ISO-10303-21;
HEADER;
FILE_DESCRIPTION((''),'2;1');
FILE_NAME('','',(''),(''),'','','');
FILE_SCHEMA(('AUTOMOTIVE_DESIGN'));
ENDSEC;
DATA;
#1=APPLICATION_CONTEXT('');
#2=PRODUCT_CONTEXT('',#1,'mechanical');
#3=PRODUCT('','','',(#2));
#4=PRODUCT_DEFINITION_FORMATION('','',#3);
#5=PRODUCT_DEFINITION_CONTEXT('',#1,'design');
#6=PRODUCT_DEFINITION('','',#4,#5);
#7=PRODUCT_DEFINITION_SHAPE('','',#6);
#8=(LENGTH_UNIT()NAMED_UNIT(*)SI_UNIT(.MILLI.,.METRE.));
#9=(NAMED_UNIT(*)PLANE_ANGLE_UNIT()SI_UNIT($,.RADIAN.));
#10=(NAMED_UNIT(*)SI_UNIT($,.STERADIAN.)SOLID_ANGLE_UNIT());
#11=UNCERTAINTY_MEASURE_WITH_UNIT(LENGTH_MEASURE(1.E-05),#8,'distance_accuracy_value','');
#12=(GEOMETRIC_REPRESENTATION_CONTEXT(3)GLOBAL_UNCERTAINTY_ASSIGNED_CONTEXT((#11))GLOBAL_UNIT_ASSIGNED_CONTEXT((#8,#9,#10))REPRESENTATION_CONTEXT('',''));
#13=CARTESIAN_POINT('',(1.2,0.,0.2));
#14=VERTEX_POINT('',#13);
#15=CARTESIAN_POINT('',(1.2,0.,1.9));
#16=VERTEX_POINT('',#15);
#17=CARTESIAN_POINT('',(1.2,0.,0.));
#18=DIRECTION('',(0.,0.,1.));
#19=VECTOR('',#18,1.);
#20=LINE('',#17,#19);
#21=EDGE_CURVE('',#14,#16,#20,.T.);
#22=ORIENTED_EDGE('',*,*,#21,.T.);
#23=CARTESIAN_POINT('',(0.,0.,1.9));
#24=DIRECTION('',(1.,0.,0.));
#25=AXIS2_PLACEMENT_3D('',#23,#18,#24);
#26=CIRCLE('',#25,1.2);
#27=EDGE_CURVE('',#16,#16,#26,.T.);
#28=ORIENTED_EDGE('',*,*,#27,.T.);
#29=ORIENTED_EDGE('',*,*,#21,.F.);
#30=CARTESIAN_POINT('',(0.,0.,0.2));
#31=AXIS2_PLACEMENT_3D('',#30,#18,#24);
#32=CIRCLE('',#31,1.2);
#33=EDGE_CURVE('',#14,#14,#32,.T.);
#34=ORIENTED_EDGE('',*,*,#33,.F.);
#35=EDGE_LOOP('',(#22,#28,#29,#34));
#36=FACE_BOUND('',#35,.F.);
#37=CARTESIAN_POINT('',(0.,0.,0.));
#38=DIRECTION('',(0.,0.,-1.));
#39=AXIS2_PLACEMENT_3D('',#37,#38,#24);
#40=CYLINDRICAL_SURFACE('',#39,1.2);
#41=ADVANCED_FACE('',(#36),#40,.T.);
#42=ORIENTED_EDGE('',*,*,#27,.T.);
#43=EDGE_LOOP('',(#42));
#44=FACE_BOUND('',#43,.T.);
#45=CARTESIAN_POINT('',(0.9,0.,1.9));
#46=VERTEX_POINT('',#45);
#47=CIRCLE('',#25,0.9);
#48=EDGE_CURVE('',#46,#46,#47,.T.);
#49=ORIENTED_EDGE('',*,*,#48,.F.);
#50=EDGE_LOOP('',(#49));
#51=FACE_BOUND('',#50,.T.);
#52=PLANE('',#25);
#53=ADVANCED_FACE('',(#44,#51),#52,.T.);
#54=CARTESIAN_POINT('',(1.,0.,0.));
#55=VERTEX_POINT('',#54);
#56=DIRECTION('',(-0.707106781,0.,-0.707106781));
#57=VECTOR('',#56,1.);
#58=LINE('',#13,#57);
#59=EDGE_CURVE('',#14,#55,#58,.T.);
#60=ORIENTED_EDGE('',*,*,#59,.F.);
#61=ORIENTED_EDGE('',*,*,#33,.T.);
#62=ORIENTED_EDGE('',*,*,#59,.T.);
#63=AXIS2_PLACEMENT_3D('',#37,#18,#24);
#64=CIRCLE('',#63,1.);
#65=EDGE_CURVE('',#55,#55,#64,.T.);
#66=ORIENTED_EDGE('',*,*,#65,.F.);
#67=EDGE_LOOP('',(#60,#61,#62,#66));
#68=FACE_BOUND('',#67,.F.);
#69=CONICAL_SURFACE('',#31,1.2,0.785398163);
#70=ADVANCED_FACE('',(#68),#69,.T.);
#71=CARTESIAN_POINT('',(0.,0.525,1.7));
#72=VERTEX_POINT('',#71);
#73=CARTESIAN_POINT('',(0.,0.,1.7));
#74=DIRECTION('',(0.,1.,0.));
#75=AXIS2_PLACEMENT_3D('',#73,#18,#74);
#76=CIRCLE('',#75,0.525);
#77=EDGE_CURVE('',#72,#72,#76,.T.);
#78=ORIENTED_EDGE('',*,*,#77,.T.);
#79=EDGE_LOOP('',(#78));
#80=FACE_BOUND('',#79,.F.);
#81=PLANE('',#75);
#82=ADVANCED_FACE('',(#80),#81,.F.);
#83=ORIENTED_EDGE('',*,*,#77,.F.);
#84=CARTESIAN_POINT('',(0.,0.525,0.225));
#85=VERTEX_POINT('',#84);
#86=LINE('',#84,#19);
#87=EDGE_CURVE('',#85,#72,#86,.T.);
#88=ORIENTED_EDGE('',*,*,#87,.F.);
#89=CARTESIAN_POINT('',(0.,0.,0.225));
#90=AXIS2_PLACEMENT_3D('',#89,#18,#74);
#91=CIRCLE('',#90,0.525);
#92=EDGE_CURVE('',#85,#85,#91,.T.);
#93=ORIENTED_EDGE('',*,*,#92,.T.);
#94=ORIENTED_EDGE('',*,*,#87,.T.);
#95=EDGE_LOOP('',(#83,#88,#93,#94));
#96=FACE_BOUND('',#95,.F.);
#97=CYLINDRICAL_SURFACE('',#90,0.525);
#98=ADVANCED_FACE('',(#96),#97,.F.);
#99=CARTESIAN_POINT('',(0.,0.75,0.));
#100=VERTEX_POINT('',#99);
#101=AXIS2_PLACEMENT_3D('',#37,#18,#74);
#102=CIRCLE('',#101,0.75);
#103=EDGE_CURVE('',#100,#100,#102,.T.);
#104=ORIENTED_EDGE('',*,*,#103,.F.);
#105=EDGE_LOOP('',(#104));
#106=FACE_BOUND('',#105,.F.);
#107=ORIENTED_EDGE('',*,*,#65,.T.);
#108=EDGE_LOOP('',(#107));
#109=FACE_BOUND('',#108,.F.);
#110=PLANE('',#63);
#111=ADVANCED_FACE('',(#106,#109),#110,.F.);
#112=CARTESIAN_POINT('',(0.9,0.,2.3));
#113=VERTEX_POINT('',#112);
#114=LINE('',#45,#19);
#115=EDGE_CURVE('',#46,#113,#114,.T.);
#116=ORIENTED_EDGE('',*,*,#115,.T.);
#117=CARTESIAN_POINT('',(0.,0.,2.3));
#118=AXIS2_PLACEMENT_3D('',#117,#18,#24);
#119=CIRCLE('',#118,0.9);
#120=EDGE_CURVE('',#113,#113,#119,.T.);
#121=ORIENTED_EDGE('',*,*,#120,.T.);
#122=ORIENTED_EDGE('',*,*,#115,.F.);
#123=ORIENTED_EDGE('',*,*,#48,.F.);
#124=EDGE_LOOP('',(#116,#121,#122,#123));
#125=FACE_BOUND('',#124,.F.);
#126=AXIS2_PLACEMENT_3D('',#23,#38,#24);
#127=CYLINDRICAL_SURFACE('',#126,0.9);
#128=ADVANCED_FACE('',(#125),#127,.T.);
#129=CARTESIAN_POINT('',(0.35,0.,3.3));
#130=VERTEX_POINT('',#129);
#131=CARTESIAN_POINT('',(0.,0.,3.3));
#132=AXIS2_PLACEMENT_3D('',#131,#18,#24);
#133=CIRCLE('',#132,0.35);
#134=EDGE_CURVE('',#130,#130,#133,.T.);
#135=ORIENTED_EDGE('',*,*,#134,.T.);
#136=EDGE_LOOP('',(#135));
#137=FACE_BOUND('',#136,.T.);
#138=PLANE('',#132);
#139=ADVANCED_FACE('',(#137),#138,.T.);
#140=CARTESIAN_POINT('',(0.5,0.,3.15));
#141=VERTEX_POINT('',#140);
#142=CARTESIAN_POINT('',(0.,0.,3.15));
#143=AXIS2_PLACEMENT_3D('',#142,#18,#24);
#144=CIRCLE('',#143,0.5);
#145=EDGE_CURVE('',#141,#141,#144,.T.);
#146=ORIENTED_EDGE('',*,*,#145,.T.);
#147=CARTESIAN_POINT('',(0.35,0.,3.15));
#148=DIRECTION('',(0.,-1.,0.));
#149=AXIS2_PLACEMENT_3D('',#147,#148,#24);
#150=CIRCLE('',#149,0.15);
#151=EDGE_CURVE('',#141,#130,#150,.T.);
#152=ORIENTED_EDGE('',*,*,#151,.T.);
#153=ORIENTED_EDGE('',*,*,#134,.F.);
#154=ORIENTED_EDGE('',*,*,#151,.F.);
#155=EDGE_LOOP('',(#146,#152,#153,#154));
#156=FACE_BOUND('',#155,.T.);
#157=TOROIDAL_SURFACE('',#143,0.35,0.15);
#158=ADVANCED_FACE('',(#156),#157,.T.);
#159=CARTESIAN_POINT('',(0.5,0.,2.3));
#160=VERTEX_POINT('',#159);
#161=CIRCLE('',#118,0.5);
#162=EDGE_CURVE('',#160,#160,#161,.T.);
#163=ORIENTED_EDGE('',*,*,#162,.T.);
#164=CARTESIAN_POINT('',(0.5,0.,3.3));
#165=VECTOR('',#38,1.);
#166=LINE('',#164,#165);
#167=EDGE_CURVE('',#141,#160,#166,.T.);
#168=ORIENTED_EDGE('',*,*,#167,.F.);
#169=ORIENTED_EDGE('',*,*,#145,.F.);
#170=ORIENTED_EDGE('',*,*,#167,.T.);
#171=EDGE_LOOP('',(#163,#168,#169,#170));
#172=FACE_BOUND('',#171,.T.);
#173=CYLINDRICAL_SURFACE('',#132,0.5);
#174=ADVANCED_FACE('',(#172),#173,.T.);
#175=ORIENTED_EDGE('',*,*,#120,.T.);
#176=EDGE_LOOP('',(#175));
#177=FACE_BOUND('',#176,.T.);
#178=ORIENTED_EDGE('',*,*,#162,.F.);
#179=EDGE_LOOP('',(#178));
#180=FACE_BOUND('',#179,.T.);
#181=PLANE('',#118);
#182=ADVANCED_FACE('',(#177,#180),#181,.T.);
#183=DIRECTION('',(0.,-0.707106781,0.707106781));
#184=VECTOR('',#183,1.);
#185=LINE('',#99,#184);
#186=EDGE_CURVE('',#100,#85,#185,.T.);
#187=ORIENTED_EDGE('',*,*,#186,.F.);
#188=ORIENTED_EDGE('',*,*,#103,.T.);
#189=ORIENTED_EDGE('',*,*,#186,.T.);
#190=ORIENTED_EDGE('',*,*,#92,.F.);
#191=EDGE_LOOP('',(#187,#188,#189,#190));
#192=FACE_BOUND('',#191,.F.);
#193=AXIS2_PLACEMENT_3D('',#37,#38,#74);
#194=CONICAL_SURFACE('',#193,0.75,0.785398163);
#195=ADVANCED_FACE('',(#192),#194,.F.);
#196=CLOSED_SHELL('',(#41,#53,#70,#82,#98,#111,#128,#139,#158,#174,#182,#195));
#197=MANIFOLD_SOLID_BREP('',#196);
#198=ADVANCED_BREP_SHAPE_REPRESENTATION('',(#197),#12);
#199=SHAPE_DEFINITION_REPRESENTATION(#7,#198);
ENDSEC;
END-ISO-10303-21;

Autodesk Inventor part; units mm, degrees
ref_plane "YZ Plane" through (0, 0, 0) normal (1, 0, 0) x (0, 1, 0)
ref_plane "XZ Plane" through (0, 0, 0) normal (0, 1, 0) x (-1, 0, 0)
ref_plane "XY Plane" through (0, 0, 0) normal (0, 0, 1) x (1, 0, 0)
sketch "Sketch1" plane through (0, 0, 0) normal (0, 0, 1) x (1, 0, 0)
  circle A0 centre (0, 0) radius 1.2
  dimension "d0" = 2.4
extrude "Extrusion1" add sketch "Sketch1" along normal blind 3.3
sketch "Sketch2" plane through (0, 0, 0) normal (0, 0, -1) x (-1, 0, 0)
  circle A0 centre (0, 0) radius 1.2 projected
  circle A1 centre (0, 0) radius 0.515
  dimension "d3" = 1.03
sketch "Sketch4" plane through (0, 0, 3.3) normal (0, 0, 1) x (1, 0, 0)
  circle A0 centre (0, 0) radius 1.2 projected
  circle A1 centre (0, 0) radius 0.5
  circle A2 centre (0, 0) radius 1
  circle A3 centre (0, 0) radius 1.3
  dimension "d9" = 1
  dimension "d10" = 2
  dimension "d11" = 2.6
extrude "Extrusion4" cut sketch "Sketch4" against normal blind 1.4 contours A0 | A2
sketch "Sketch5" plane through (0, 0, 1.9) normal (0, 0, 1) x (1, 0, 0)
  circle A0 centre (0, 0) radius 0.5 projected
  circle A1 centre (0, 0) radius 0.5 projected
  circle A2 centre (0, 0) radius 0.5 projected
  circle A3 centre (0, 0) radius 1.2 projected
  circle A4 centre (0, 0) radius 0.65
  circle A5 centre (0, 0) radius 0.3
  dimension "d14" = 1
  dimension "d15" = 1.3
extrude "Extrusion5" [suppressed]
hole "Hole1" at (0, 0, 0) direction (0, 0, 1) diameter 1.05 depth 1.7 countersink diameter 1.5 countersink angle 90
sketch "Sketch6" plane through (0, 0, 1.9) normal (0, 0, 1) x (1, 0, 0)
  circle A0 centre (0, 0) radius 0.5 projected
  circle A1 centre (0, 0) radius 1.2 projected
  circle A2 centre (0, 0) radius 0.9
  dimension "d25" = 1.8
extrude "Extrusion6" add sketch "Sketch6" along normal blind 0.4 contours A2
fillet "Fillet1" radius 0.15 1 edges at (-0.5, 0, 3.3)
fillet "Fillet2" [suppressed]
chamfer "Chamfer1" distance 0.2 angle 45 1 edges at (-1.2, 0, 0)
properties part number "MU_Motor_Coupling_3" material "Aluminum-6061-AHC"
